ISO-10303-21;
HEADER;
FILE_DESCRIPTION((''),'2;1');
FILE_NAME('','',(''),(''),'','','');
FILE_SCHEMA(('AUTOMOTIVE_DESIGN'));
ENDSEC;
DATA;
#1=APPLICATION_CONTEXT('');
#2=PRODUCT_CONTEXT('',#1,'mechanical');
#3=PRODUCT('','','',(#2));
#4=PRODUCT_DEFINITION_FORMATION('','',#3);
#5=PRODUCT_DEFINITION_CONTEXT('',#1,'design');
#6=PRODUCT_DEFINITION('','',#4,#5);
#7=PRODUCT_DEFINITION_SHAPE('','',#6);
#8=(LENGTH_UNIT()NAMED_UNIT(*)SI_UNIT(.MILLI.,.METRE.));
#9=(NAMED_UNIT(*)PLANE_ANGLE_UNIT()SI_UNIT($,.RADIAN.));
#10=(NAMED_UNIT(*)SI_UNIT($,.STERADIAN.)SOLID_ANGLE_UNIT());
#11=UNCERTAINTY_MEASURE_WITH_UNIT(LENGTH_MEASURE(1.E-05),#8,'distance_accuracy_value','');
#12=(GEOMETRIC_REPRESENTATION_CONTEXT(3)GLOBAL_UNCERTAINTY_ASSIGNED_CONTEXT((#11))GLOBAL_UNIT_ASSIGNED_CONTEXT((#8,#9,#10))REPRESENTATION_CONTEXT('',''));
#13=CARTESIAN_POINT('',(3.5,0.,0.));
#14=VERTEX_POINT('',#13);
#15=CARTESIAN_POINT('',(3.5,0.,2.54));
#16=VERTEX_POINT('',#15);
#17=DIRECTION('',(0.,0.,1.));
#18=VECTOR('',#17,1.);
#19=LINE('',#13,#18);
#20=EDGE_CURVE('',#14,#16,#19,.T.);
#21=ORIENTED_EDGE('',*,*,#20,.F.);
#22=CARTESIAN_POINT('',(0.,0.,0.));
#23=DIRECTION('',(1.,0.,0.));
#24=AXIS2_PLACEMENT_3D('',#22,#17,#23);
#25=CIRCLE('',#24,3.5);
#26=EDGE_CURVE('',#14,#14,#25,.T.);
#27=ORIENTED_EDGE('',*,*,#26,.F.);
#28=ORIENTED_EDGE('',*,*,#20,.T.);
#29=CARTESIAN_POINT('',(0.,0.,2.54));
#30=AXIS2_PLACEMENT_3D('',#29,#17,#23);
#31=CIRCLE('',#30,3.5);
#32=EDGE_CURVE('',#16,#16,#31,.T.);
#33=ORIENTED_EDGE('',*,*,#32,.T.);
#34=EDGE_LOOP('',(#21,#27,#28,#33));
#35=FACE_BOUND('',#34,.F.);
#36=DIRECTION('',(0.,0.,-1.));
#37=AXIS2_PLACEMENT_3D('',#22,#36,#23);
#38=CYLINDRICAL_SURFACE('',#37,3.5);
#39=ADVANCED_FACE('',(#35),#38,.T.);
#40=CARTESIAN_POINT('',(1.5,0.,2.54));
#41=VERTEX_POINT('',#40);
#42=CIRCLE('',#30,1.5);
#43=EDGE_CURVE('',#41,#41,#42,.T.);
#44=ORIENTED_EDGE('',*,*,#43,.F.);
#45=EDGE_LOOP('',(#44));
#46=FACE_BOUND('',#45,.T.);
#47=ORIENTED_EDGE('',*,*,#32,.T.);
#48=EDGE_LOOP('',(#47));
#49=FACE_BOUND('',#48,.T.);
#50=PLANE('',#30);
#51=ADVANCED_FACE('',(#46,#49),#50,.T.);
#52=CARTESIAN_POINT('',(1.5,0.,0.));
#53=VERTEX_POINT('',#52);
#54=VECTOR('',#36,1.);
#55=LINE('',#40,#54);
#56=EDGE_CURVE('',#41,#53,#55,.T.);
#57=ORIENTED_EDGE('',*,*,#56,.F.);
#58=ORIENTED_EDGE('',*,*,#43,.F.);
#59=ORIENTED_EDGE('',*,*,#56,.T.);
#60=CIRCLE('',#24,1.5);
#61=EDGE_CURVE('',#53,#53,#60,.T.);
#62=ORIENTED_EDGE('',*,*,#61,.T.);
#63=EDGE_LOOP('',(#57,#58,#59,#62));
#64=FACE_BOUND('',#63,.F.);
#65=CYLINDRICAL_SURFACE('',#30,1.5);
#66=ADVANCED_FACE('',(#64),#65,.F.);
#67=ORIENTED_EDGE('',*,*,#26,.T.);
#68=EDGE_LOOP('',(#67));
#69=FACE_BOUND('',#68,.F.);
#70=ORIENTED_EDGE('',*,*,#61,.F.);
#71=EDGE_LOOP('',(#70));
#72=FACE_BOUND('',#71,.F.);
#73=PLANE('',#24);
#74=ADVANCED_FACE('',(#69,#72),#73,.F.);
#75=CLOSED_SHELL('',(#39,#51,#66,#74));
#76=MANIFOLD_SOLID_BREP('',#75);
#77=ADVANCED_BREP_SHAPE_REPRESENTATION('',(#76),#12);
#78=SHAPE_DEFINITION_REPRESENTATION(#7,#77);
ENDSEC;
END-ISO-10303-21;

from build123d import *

# Parameters (mm, degrees)
SKETCH_R    = 3.5
PAD_DEPTH   = 2.54
SKETCH001_R = 1.5
HOLE_DEPTH  = 2.541


with BuildPart() as part:
    # Sketch → Pad (new body)
    with BuildSketch(Plane.XY):
        Circle(SKETCH_R)
    extrude(amount=PAD_DEPTH)

    # Sketch001 (on Face3 of Pad) → Hole (cut, through all)
    with BuildSketch(Plane.XY.offset(2.54)):
        Circle(SKETCH001_R)
    extrude(amount=-HOLE_DEPTH, mode=Mode.SUBTRACT)


solid = part.part
